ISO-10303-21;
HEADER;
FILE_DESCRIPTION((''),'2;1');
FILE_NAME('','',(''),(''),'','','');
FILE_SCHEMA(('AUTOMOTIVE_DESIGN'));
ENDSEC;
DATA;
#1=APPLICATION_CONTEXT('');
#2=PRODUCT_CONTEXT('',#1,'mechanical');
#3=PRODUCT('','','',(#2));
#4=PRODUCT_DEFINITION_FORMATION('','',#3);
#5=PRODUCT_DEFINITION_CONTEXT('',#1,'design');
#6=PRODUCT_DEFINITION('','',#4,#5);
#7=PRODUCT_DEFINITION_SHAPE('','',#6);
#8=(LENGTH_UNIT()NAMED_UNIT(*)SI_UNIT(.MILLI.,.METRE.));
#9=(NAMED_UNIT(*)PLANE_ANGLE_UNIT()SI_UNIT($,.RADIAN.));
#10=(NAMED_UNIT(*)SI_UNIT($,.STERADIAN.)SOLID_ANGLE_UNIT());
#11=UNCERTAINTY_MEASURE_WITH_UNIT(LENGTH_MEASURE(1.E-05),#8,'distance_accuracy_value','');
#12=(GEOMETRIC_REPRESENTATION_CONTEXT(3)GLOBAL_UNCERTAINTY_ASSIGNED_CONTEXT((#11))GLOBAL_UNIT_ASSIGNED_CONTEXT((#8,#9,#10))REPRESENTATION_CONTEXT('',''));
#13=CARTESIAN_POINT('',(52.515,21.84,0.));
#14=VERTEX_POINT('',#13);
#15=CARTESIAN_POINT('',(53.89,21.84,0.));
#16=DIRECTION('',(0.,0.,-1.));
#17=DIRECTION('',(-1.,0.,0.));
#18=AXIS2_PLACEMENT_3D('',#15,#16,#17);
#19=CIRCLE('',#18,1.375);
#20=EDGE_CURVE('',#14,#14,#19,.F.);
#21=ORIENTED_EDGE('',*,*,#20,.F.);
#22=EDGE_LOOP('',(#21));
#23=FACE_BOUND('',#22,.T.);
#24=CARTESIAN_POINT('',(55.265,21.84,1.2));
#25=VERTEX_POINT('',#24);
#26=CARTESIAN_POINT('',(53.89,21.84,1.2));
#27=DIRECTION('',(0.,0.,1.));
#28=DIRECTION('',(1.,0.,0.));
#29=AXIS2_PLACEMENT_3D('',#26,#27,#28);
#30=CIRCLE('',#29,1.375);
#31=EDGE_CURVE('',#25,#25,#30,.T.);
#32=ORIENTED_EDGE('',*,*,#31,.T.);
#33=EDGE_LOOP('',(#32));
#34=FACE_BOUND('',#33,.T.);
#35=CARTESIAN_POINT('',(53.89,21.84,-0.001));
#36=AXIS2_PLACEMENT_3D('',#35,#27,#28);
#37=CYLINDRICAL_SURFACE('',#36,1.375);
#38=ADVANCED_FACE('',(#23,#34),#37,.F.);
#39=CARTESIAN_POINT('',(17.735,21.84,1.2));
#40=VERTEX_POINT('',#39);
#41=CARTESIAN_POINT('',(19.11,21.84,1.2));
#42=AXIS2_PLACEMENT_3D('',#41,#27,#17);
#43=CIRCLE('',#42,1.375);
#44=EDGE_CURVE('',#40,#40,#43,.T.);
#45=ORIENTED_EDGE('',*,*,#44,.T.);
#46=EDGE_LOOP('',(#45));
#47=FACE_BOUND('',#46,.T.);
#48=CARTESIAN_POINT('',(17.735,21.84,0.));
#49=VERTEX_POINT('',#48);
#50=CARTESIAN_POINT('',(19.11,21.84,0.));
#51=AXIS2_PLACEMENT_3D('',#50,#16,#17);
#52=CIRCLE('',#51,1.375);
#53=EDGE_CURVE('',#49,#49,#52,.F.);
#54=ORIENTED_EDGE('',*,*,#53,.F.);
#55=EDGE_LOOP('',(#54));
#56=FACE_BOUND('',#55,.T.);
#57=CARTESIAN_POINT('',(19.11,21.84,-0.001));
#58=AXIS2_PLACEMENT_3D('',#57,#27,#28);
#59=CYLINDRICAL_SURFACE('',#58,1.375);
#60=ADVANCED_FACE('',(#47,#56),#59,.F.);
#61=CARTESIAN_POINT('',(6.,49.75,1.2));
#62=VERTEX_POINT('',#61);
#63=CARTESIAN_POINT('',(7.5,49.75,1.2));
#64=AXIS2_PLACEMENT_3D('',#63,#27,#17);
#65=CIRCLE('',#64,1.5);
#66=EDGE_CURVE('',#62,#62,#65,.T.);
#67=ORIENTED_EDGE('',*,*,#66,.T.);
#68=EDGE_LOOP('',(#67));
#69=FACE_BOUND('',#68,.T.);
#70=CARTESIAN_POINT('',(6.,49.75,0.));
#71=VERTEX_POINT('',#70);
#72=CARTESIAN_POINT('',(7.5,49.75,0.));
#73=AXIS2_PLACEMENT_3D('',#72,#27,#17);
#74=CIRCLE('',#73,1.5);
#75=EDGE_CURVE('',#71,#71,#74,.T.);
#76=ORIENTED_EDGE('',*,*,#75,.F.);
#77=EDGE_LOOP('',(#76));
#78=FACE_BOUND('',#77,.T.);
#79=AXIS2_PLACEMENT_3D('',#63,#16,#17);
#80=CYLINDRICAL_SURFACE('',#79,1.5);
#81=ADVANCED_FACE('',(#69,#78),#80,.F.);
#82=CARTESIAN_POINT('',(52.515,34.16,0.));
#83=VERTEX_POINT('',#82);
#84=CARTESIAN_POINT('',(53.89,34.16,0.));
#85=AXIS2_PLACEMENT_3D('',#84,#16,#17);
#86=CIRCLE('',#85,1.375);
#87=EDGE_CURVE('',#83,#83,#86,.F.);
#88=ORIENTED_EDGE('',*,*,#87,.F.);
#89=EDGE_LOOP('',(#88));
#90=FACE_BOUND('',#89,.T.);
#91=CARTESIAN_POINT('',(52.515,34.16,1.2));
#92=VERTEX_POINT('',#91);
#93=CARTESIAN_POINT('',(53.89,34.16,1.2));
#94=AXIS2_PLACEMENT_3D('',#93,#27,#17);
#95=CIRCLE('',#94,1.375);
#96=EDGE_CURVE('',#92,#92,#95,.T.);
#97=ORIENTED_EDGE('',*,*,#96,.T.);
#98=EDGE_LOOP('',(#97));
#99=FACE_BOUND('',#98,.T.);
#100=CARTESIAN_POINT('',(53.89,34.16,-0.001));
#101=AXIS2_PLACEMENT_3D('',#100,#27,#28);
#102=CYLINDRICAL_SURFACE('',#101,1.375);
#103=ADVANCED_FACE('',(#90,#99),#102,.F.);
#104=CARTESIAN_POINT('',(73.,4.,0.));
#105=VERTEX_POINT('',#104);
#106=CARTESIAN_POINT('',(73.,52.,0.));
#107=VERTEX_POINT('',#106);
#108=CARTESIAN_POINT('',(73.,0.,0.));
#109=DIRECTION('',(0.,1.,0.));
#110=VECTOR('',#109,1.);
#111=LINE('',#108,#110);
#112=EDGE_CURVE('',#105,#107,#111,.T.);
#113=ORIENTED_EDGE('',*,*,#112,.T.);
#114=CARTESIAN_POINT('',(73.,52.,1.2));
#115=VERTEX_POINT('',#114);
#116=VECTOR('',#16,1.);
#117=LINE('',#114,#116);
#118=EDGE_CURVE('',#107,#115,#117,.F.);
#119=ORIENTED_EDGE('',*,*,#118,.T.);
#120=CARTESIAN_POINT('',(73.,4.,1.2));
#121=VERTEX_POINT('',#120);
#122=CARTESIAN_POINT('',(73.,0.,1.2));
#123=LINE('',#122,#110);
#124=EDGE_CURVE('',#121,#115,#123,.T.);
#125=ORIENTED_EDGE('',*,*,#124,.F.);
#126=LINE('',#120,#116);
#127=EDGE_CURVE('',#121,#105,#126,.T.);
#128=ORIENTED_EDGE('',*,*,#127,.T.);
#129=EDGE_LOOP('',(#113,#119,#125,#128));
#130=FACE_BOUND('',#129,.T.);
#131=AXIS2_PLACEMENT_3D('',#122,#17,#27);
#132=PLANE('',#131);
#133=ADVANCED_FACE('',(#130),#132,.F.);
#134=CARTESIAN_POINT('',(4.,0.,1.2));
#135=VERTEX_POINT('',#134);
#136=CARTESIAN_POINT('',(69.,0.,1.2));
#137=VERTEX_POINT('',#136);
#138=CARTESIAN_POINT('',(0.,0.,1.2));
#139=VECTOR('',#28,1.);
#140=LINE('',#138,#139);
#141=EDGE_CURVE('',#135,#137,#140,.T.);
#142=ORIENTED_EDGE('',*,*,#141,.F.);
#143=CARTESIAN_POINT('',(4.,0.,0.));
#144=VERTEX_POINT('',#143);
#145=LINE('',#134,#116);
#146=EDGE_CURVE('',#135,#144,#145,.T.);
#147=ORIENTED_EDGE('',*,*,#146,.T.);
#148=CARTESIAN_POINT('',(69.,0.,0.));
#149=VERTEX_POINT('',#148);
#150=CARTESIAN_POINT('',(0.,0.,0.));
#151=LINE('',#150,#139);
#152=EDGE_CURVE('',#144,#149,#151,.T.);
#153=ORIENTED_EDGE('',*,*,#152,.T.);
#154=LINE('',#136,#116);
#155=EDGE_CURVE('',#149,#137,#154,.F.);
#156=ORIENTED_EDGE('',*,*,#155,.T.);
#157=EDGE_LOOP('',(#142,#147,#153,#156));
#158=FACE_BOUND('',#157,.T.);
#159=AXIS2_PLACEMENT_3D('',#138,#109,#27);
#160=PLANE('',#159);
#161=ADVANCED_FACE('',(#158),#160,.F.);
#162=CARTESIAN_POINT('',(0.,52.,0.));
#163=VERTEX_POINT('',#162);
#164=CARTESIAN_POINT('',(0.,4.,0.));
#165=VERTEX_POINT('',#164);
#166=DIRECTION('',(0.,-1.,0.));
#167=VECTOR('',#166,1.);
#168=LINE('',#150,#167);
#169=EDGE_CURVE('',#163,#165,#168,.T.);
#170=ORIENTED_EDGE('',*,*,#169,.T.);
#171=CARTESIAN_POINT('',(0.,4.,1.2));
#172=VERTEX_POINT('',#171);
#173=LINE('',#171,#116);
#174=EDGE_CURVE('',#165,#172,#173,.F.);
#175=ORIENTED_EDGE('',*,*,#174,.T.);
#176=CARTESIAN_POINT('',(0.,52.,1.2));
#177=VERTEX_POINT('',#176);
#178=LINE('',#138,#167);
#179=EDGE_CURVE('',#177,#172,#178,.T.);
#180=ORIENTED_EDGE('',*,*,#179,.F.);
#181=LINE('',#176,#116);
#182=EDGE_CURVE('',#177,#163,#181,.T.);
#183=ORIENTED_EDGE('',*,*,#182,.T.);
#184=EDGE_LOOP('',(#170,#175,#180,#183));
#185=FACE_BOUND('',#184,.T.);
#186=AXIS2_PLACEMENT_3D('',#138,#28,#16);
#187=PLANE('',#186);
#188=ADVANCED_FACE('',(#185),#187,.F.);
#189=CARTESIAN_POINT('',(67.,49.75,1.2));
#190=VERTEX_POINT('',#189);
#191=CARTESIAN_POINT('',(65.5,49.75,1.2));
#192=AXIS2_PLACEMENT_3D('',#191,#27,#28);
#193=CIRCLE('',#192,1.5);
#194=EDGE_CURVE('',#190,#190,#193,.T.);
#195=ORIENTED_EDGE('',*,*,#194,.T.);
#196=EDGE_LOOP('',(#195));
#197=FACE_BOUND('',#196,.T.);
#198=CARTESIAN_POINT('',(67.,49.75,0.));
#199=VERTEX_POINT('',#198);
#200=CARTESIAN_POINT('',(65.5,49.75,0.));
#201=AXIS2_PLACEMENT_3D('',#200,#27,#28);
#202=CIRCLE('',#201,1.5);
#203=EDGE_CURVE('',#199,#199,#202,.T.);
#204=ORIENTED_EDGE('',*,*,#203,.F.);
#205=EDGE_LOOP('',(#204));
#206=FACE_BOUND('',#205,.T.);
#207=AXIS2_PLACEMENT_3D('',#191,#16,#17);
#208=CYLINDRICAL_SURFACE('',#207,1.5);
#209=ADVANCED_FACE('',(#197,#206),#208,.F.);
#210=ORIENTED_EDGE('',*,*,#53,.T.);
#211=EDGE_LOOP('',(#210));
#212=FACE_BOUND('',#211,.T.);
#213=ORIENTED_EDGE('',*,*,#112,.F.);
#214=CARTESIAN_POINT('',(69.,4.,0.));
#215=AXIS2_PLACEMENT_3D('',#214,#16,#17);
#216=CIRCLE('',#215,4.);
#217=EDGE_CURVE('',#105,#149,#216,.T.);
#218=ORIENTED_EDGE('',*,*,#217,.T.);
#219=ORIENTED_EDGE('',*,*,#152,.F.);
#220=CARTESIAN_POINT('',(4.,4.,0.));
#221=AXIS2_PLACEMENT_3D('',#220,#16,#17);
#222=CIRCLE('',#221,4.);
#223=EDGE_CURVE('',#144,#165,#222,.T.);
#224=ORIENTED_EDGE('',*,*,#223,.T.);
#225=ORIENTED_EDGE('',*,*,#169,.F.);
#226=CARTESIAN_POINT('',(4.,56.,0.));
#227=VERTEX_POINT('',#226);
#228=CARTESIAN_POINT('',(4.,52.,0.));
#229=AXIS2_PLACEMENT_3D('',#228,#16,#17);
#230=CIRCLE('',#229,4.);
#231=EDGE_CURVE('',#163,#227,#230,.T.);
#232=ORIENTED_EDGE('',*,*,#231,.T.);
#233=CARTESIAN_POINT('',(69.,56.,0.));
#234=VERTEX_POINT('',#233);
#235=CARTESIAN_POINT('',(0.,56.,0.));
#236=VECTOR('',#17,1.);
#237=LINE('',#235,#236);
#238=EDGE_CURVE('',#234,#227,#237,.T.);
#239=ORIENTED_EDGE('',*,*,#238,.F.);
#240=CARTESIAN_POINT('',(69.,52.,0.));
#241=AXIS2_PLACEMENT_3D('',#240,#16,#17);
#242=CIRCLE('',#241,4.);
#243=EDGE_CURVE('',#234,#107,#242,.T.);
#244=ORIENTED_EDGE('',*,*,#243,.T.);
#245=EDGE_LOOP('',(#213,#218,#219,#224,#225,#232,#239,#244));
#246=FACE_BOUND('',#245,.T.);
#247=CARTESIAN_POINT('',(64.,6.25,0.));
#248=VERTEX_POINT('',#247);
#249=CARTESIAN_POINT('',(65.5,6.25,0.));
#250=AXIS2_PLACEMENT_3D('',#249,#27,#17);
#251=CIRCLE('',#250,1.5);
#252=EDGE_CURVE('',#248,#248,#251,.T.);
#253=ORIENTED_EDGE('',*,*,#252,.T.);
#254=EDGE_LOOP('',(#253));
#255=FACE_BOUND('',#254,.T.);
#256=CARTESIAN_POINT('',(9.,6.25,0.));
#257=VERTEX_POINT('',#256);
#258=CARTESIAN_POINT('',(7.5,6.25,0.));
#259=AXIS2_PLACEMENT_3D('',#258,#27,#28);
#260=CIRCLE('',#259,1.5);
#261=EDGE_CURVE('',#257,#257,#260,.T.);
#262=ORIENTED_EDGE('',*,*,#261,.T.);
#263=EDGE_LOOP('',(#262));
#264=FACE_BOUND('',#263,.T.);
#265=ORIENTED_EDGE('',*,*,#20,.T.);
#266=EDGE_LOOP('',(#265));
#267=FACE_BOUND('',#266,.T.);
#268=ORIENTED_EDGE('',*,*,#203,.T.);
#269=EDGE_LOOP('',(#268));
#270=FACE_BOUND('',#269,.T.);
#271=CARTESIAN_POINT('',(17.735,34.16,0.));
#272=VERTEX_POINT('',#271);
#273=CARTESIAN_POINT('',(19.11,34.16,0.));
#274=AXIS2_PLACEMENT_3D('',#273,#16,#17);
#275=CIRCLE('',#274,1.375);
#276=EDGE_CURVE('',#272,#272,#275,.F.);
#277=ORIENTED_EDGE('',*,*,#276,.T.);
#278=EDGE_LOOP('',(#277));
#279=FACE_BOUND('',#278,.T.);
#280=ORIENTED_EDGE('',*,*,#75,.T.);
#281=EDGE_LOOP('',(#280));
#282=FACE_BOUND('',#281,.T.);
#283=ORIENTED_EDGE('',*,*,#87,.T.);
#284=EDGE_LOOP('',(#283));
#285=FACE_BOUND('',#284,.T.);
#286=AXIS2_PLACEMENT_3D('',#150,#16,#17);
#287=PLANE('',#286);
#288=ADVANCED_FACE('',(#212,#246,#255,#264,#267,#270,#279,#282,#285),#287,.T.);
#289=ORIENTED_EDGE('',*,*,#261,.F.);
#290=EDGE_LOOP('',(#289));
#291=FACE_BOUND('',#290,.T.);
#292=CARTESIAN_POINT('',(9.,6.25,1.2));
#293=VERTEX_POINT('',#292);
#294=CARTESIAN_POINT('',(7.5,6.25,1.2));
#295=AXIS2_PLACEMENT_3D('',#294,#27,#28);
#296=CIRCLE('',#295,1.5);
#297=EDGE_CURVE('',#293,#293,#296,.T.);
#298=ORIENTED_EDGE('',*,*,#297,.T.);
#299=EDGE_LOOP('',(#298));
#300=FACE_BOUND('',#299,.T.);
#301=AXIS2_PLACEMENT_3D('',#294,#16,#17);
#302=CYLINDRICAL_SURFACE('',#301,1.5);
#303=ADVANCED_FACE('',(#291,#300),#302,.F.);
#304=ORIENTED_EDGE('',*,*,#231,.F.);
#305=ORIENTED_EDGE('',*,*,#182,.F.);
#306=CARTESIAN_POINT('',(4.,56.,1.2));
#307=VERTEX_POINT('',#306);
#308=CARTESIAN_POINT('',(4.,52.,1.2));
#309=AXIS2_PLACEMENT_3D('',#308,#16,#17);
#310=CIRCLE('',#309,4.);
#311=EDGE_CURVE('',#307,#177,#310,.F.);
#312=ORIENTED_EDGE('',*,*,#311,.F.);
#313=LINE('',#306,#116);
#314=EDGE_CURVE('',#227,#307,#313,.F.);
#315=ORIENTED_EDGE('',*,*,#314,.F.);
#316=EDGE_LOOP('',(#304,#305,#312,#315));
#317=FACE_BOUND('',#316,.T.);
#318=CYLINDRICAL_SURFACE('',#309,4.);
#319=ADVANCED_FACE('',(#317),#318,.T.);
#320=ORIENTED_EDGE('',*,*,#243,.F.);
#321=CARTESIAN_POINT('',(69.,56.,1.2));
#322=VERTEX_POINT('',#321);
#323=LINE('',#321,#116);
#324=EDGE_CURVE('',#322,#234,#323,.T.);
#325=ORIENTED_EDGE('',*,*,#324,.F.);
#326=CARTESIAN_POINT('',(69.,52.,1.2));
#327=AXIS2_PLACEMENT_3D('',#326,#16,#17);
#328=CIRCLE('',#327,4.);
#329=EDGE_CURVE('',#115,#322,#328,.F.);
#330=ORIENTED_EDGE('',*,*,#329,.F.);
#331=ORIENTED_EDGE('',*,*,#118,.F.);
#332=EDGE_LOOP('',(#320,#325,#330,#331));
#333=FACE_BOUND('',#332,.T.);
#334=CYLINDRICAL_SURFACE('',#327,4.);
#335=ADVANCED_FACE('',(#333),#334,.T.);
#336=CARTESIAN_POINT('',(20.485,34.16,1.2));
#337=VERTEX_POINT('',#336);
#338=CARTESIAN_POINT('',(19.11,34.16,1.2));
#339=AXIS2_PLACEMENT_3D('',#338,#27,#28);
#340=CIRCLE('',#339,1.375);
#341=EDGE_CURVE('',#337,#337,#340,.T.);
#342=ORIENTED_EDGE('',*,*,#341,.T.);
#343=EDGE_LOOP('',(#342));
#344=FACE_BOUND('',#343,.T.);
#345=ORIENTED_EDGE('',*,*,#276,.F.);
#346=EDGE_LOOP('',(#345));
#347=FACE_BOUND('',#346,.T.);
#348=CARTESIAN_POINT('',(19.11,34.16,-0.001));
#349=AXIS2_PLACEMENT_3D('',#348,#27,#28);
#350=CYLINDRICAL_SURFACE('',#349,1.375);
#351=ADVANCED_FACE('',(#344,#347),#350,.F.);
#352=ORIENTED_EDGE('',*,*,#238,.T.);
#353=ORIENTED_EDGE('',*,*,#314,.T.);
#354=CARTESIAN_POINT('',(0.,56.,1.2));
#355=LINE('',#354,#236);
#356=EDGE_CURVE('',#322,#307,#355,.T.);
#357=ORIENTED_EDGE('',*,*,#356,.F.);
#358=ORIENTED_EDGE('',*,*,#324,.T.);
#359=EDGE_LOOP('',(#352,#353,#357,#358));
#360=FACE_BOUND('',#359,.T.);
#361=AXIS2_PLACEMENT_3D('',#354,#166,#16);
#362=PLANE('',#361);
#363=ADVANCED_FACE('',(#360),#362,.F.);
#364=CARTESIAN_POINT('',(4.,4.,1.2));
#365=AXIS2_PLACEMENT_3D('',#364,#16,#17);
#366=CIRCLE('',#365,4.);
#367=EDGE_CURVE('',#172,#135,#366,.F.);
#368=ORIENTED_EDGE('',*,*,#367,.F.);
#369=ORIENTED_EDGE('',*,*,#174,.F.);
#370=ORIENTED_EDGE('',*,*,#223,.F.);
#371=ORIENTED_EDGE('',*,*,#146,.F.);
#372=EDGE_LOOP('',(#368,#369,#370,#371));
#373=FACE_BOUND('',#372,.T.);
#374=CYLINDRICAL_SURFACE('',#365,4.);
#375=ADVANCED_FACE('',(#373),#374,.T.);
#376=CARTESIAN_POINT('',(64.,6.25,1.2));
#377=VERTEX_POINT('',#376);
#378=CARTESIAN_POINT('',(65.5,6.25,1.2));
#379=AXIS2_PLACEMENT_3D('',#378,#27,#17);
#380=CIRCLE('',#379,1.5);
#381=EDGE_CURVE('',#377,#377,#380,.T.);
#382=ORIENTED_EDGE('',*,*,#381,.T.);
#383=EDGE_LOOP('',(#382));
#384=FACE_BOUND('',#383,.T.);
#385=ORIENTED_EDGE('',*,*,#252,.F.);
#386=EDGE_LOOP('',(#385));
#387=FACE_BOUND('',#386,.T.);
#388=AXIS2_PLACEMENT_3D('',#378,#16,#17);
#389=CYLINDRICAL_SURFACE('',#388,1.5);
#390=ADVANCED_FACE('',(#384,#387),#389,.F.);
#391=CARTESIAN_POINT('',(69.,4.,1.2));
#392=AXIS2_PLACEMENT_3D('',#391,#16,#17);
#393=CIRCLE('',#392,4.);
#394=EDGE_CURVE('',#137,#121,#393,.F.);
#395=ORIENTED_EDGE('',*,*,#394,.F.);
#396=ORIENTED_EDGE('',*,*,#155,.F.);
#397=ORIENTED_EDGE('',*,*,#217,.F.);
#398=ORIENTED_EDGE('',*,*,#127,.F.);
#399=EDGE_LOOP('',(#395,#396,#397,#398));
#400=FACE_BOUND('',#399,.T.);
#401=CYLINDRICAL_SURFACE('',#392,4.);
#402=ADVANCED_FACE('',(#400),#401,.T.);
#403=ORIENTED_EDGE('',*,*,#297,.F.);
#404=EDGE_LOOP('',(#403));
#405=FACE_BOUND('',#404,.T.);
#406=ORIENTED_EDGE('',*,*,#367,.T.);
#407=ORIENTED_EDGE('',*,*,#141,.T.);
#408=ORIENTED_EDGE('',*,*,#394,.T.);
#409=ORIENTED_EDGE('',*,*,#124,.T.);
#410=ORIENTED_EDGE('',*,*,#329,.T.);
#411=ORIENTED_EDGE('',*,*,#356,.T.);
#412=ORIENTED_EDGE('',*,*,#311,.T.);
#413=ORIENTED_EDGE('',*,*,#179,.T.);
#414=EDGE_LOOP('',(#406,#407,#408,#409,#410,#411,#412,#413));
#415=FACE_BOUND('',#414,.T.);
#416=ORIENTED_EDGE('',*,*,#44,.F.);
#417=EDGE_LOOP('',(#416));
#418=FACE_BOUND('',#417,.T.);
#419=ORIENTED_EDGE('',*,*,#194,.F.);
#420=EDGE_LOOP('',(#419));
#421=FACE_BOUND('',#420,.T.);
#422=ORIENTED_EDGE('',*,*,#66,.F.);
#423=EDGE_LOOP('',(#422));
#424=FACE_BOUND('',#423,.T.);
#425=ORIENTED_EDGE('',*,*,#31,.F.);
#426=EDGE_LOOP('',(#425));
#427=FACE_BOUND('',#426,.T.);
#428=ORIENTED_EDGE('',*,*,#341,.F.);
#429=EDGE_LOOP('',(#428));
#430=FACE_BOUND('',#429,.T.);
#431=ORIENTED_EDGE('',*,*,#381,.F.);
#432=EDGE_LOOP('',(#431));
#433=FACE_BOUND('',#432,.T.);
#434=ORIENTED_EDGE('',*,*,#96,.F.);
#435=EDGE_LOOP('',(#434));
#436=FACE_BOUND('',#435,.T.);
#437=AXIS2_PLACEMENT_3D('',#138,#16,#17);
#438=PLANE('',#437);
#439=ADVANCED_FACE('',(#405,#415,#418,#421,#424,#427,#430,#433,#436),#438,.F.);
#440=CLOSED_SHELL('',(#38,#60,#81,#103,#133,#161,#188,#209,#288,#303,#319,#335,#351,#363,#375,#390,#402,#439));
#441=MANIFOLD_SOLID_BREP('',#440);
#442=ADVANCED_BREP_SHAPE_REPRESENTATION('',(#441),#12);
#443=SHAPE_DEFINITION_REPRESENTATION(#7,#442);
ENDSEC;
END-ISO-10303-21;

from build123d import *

# Parameters (mm, degrees)
SKETCH1_W           = 73
SKETCH1_H           = 56
SKETCH1_R           = 1.5
BOSS_EXTRUDE1_DEPTH = 1.2
FILLET1_R           = 4
CUT_EXTRUDE1_REACH  = 94.013
SKETCH2_R           = 1.375


with BuildPart() as part:
    # Sketch1 → Boss-Extrude1 (new body)
    with BuildSketch(Plane.XY):
        with Locations((36.5, 28)):
            Rectangle(SKETCH1_W, SKETCH1_H)
        with Locations((7.5, 6.25)):
            Circle(SKETCH1_R, mode=Mode.SUBTRACT)
        with Locations(Location((65.5, 6.25, 0), (0, 0, 180))):
            Circle(SKETCH1_R, mode=Mode.SUBTRACT)
        with Locations((65.5, 49.75)):
            Circle(SKETCH1_R, mode=Mode.SUBTRACT)
        with Locations(Location((7.5, 49.75, 0), (0, 0, 180))):
            Circle(SKETCH1_R, mode=Mode.SUBTRACT)
    extrude(amount=BOSS_EXTRUDE1_DEPTH)

    # Fillet1
    fillet1_edges = [part.edges().sort_by_distance(p)[0] for p in [
        (0, 56, 0.6),
        (73, 56, 0.6),
        (73, 0, 0.6),
        (0, 0, 0.6),
    ]]
    fillet(fillet1_edges, radius=FILLET1_R)

    # Sketch2 → Cut-Extrude1 (cut, up to next)
    with BuildSketch(Plane.XY.offset(1.2), mode=Mode.PRIVATE) as cut_extrude1_sk1:
        with Locations((53.89, 21.84)):
            Circle(SKETCH2_R)
    cut_extrude1_tool1 = extrude(cut_extrude1_sk1.sketch, amount=-CUT_EXTRUDE1_REACH, mode=Mode.PRIVATE) & part.part
    # Sketch2 → Cut-Extrude1 (cut, up to next)
    with BuildSketch(Plane.XY.offset(1.2), mode=Mode.PRIVATE) as cut_extrude1_sk2:
        with Locations(Location((53.89, 34.16, 0), (0, 0, 180))):
            Circle(SKETCH2_R)
    cut_extrude1_tool2 = extrude(cut_extrude1_sk2.sketch, amount=-CUT_EXTRUDE1_REACH, mode=Mode.PRIVATE) & part.part
    # Sketch2 → Cut-Extrude1 (cut, up to next)
    with BuildSketch(Plane.XY.offset(1.2), mode=Mode.PRIVATE) as cut_extrude1_sk3:
        with Locations(Location((19.11, 21.84, 0), (0, 0, 180))):
            Circle(SKETCH2_R)
    cut_extrude1_tool3 = extrude(cut_extrude1_sk3.sketch, amount=-CUT_EXTRUDE1_REACH, mode=Mode.PRIVATE) & part.part
    # Sketch2 → Cut-Extrude1 (cut, up to next)
    with BuildSketch(Plane.XY.offset(1.2), mode=Mode.PRIVATE) as cut_extrude1_sk4:
        with Locations((19.11, 34.16)):
            Circle(SKETCH2_R)
    cut_extrude1_tool4 = extrude(cut_extrude1_sk4.sketch, amount=-CUT_EXTRUDE1_REACH, mode=Mode.PRIVATE) & part.part
    add(cut_extrude1_tool1.solids().sort_by_distance((53.89, 21.84, 1.2))[0], mode=Mode.SUBTRACT)
    add(cut_extrude1_tool2.solids().sort_by_distance((53.89, 34.16, 1.2))[0], mode=Mode.SUBTRACT)
    add(cut_extrude1_tool3.solids().sort_by_distance((19.11, 21.84, 1.2))[0], mode=Mode.SUBTRACT)
    add(cut_extrude1_tool4.solids().sort_by_distance((19.11, 34.16, 1.2))[0], mode=Mode.SUBTRACT)


solid = part.part
